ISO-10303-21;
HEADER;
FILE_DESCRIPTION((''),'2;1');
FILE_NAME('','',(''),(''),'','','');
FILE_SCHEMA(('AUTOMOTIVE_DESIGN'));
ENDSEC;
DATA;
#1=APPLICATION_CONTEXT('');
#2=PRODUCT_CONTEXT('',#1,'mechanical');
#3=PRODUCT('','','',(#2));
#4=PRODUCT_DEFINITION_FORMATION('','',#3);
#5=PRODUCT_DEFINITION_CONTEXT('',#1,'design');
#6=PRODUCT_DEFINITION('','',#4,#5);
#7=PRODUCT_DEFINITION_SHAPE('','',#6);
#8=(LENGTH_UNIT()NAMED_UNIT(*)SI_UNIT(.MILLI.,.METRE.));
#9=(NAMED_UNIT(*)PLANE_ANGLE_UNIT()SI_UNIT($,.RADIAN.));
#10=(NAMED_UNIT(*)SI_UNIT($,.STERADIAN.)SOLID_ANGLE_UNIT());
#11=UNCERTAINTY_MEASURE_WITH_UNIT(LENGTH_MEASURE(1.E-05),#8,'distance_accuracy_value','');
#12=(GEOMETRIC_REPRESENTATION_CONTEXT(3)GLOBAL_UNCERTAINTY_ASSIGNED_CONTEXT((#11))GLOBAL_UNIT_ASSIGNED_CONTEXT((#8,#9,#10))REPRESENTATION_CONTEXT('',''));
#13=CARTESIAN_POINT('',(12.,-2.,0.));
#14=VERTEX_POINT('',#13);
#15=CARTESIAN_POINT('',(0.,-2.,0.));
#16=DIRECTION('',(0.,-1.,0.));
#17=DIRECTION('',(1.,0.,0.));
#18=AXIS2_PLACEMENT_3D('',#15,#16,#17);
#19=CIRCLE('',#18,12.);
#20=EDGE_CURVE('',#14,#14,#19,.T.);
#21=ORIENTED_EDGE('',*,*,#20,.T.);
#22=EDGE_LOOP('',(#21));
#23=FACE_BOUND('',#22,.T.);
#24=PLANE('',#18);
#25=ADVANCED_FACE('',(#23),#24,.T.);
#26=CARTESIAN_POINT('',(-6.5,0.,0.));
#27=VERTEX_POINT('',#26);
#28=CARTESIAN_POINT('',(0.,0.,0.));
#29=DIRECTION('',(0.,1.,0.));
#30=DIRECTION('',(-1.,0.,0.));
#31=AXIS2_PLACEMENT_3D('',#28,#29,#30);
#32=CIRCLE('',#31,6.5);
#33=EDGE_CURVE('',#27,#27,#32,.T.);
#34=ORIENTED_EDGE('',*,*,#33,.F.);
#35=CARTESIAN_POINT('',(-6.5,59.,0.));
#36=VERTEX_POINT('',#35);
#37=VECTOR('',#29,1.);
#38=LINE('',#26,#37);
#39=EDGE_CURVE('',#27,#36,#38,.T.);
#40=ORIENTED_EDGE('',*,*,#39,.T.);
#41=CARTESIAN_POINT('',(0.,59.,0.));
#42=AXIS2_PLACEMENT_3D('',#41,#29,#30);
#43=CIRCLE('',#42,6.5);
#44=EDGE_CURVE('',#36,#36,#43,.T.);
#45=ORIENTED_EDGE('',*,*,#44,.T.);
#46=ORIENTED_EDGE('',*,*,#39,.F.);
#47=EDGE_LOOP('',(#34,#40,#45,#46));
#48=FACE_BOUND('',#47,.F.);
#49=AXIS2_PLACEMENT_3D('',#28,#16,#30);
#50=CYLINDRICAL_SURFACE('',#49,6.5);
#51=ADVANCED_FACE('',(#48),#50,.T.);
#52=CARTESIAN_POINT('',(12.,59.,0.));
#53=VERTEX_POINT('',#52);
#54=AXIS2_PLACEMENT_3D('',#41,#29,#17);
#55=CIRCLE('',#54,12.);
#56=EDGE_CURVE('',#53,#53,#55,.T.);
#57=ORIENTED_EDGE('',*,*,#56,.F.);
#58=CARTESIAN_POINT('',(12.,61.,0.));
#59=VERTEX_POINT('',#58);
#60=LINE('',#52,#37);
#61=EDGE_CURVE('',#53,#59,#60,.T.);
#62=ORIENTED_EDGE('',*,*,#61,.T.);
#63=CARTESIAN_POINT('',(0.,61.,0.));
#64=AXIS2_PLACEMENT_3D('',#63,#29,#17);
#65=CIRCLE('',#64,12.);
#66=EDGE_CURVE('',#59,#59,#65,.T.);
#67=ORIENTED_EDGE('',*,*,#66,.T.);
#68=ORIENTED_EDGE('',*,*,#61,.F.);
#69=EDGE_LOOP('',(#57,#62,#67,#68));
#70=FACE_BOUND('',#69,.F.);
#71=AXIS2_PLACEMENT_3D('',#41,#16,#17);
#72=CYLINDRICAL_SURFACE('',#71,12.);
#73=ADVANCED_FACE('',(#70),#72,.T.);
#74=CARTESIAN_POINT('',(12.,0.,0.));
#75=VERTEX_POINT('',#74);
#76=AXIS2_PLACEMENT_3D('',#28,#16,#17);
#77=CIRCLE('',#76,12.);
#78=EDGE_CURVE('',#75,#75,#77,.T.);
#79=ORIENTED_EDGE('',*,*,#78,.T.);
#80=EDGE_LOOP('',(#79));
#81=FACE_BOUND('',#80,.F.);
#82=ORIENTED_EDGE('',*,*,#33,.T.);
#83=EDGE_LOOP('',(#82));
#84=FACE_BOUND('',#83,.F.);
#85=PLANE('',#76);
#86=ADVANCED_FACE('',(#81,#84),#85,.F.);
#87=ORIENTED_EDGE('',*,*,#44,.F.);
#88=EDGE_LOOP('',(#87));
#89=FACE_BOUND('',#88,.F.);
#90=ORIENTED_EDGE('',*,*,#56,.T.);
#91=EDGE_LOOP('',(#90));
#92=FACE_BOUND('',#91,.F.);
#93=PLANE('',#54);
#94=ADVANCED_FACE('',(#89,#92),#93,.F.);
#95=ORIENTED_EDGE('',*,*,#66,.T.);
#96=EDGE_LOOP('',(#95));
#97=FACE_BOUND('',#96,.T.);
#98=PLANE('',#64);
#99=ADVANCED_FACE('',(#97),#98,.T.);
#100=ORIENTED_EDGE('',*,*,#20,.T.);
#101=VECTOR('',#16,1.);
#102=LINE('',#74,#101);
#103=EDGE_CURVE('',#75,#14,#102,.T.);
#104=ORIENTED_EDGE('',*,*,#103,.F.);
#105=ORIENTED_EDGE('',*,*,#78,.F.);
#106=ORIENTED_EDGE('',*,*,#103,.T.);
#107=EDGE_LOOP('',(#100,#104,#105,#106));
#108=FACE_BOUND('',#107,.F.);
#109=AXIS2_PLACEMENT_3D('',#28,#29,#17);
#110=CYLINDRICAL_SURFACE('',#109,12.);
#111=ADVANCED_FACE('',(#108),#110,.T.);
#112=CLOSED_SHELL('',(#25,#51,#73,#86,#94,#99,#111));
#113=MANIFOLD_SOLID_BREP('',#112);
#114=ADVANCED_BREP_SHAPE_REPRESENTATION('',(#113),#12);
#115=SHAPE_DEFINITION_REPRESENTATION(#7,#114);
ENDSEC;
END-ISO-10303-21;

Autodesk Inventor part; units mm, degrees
ref_plane "YZ Plane" through (0, 0, 0) normal (1, 0, 0) x (0, 1, 0)
ref_plane "XZ Plane" through (0, 0, 0) normal (0, 1, 0) x (-1, 0, 0)
ref_plane "XY Plane" through (0, 0, 0) normal (0, 0, 1) x (1, 0, 0)
sketch "Sketch1" plane through (0, 0, 0) normal (0, 1, 0) x (-1, 0, 0)
  circle A0 centre (0, 0) radius 6.5
  dimension "d0" = 13
extrude "Extrusion1" add sketch "Sketch1" along normal blind 59
sketch "Sketch2" plane through (0, 59, 0) normal (0, 1, 0) x (1, 0, 0)
  circle A0 centre (0, 0) radius 6.5 projected
  circle A1 centre (0, 0) radius 12
  dimension "d3" = 24
extrude "Extrusion2" add sketch "Sketch2" along normal blind 2 contours A0 | A1
sketch "Sketch3" plane through (0, 0, 0) normal (0, -1, 0) x (1, 0, 0)
  circle A0 centre (0, 0) radius 6.5 projected
  circle A1 centre (0, 0) radius 12
  dimension "d6" = 24
extrude "Extrusion3" add sketch "Sketch3" along normal blind 2 contours A0 | A1
properties part number "Middle Arm Linkage"
